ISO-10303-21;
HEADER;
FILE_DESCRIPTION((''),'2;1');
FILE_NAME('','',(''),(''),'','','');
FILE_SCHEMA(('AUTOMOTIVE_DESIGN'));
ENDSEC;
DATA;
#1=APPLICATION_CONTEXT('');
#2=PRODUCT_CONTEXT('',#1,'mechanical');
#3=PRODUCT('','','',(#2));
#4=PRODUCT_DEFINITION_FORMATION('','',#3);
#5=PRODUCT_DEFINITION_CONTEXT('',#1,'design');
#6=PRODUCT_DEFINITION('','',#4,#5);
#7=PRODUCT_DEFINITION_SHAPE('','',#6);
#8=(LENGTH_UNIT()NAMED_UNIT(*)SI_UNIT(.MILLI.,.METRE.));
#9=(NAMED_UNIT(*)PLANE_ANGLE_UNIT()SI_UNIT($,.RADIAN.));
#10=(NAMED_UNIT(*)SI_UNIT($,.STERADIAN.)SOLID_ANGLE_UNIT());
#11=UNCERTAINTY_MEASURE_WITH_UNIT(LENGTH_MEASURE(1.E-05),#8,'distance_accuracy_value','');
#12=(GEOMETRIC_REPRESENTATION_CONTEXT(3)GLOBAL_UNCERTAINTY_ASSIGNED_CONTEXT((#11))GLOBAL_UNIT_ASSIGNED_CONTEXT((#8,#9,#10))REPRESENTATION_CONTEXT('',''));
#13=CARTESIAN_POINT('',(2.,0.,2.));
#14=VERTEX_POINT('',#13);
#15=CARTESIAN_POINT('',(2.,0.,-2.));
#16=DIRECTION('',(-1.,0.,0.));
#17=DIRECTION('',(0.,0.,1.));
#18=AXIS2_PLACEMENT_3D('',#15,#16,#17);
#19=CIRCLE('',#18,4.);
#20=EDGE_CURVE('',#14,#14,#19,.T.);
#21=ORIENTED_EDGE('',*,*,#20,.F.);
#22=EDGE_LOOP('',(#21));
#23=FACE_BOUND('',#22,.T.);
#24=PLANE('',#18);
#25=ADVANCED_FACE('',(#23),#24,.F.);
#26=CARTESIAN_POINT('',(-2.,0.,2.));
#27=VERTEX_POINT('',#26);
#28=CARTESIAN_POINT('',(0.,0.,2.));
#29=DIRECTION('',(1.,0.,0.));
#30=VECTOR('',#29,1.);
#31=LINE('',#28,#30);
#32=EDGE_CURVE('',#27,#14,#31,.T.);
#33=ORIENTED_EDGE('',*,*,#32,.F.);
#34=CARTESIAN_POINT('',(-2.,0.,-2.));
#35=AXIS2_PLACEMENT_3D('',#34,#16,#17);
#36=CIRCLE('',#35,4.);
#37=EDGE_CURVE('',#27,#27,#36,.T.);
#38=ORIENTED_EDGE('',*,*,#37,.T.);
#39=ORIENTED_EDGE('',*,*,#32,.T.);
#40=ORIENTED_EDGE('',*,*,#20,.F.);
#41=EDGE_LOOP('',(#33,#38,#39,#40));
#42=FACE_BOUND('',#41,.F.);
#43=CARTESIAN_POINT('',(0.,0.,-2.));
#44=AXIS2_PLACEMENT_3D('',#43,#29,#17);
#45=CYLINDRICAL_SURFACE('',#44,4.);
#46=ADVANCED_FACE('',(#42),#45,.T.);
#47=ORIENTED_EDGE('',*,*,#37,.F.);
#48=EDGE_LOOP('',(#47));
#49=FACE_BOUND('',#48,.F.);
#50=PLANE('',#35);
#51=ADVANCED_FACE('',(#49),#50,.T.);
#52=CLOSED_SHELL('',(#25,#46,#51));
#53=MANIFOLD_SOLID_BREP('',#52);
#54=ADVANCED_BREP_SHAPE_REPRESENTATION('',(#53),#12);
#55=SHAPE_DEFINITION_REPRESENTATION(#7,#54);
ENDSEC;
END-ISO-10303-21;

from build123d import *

# Parameters (mm, degrees)
F0_W = 4
F0_H = 4


with BuildPart() as f1:
    # F0 (on Front) → F1 (revolve)
    with BuildSketch(Plane.XZ):
        Rectangle(F0_W, F0_H)
    revolve(axis=Axis((0, 0, -2), (-1, 0, 0)))


solid = f1.part
